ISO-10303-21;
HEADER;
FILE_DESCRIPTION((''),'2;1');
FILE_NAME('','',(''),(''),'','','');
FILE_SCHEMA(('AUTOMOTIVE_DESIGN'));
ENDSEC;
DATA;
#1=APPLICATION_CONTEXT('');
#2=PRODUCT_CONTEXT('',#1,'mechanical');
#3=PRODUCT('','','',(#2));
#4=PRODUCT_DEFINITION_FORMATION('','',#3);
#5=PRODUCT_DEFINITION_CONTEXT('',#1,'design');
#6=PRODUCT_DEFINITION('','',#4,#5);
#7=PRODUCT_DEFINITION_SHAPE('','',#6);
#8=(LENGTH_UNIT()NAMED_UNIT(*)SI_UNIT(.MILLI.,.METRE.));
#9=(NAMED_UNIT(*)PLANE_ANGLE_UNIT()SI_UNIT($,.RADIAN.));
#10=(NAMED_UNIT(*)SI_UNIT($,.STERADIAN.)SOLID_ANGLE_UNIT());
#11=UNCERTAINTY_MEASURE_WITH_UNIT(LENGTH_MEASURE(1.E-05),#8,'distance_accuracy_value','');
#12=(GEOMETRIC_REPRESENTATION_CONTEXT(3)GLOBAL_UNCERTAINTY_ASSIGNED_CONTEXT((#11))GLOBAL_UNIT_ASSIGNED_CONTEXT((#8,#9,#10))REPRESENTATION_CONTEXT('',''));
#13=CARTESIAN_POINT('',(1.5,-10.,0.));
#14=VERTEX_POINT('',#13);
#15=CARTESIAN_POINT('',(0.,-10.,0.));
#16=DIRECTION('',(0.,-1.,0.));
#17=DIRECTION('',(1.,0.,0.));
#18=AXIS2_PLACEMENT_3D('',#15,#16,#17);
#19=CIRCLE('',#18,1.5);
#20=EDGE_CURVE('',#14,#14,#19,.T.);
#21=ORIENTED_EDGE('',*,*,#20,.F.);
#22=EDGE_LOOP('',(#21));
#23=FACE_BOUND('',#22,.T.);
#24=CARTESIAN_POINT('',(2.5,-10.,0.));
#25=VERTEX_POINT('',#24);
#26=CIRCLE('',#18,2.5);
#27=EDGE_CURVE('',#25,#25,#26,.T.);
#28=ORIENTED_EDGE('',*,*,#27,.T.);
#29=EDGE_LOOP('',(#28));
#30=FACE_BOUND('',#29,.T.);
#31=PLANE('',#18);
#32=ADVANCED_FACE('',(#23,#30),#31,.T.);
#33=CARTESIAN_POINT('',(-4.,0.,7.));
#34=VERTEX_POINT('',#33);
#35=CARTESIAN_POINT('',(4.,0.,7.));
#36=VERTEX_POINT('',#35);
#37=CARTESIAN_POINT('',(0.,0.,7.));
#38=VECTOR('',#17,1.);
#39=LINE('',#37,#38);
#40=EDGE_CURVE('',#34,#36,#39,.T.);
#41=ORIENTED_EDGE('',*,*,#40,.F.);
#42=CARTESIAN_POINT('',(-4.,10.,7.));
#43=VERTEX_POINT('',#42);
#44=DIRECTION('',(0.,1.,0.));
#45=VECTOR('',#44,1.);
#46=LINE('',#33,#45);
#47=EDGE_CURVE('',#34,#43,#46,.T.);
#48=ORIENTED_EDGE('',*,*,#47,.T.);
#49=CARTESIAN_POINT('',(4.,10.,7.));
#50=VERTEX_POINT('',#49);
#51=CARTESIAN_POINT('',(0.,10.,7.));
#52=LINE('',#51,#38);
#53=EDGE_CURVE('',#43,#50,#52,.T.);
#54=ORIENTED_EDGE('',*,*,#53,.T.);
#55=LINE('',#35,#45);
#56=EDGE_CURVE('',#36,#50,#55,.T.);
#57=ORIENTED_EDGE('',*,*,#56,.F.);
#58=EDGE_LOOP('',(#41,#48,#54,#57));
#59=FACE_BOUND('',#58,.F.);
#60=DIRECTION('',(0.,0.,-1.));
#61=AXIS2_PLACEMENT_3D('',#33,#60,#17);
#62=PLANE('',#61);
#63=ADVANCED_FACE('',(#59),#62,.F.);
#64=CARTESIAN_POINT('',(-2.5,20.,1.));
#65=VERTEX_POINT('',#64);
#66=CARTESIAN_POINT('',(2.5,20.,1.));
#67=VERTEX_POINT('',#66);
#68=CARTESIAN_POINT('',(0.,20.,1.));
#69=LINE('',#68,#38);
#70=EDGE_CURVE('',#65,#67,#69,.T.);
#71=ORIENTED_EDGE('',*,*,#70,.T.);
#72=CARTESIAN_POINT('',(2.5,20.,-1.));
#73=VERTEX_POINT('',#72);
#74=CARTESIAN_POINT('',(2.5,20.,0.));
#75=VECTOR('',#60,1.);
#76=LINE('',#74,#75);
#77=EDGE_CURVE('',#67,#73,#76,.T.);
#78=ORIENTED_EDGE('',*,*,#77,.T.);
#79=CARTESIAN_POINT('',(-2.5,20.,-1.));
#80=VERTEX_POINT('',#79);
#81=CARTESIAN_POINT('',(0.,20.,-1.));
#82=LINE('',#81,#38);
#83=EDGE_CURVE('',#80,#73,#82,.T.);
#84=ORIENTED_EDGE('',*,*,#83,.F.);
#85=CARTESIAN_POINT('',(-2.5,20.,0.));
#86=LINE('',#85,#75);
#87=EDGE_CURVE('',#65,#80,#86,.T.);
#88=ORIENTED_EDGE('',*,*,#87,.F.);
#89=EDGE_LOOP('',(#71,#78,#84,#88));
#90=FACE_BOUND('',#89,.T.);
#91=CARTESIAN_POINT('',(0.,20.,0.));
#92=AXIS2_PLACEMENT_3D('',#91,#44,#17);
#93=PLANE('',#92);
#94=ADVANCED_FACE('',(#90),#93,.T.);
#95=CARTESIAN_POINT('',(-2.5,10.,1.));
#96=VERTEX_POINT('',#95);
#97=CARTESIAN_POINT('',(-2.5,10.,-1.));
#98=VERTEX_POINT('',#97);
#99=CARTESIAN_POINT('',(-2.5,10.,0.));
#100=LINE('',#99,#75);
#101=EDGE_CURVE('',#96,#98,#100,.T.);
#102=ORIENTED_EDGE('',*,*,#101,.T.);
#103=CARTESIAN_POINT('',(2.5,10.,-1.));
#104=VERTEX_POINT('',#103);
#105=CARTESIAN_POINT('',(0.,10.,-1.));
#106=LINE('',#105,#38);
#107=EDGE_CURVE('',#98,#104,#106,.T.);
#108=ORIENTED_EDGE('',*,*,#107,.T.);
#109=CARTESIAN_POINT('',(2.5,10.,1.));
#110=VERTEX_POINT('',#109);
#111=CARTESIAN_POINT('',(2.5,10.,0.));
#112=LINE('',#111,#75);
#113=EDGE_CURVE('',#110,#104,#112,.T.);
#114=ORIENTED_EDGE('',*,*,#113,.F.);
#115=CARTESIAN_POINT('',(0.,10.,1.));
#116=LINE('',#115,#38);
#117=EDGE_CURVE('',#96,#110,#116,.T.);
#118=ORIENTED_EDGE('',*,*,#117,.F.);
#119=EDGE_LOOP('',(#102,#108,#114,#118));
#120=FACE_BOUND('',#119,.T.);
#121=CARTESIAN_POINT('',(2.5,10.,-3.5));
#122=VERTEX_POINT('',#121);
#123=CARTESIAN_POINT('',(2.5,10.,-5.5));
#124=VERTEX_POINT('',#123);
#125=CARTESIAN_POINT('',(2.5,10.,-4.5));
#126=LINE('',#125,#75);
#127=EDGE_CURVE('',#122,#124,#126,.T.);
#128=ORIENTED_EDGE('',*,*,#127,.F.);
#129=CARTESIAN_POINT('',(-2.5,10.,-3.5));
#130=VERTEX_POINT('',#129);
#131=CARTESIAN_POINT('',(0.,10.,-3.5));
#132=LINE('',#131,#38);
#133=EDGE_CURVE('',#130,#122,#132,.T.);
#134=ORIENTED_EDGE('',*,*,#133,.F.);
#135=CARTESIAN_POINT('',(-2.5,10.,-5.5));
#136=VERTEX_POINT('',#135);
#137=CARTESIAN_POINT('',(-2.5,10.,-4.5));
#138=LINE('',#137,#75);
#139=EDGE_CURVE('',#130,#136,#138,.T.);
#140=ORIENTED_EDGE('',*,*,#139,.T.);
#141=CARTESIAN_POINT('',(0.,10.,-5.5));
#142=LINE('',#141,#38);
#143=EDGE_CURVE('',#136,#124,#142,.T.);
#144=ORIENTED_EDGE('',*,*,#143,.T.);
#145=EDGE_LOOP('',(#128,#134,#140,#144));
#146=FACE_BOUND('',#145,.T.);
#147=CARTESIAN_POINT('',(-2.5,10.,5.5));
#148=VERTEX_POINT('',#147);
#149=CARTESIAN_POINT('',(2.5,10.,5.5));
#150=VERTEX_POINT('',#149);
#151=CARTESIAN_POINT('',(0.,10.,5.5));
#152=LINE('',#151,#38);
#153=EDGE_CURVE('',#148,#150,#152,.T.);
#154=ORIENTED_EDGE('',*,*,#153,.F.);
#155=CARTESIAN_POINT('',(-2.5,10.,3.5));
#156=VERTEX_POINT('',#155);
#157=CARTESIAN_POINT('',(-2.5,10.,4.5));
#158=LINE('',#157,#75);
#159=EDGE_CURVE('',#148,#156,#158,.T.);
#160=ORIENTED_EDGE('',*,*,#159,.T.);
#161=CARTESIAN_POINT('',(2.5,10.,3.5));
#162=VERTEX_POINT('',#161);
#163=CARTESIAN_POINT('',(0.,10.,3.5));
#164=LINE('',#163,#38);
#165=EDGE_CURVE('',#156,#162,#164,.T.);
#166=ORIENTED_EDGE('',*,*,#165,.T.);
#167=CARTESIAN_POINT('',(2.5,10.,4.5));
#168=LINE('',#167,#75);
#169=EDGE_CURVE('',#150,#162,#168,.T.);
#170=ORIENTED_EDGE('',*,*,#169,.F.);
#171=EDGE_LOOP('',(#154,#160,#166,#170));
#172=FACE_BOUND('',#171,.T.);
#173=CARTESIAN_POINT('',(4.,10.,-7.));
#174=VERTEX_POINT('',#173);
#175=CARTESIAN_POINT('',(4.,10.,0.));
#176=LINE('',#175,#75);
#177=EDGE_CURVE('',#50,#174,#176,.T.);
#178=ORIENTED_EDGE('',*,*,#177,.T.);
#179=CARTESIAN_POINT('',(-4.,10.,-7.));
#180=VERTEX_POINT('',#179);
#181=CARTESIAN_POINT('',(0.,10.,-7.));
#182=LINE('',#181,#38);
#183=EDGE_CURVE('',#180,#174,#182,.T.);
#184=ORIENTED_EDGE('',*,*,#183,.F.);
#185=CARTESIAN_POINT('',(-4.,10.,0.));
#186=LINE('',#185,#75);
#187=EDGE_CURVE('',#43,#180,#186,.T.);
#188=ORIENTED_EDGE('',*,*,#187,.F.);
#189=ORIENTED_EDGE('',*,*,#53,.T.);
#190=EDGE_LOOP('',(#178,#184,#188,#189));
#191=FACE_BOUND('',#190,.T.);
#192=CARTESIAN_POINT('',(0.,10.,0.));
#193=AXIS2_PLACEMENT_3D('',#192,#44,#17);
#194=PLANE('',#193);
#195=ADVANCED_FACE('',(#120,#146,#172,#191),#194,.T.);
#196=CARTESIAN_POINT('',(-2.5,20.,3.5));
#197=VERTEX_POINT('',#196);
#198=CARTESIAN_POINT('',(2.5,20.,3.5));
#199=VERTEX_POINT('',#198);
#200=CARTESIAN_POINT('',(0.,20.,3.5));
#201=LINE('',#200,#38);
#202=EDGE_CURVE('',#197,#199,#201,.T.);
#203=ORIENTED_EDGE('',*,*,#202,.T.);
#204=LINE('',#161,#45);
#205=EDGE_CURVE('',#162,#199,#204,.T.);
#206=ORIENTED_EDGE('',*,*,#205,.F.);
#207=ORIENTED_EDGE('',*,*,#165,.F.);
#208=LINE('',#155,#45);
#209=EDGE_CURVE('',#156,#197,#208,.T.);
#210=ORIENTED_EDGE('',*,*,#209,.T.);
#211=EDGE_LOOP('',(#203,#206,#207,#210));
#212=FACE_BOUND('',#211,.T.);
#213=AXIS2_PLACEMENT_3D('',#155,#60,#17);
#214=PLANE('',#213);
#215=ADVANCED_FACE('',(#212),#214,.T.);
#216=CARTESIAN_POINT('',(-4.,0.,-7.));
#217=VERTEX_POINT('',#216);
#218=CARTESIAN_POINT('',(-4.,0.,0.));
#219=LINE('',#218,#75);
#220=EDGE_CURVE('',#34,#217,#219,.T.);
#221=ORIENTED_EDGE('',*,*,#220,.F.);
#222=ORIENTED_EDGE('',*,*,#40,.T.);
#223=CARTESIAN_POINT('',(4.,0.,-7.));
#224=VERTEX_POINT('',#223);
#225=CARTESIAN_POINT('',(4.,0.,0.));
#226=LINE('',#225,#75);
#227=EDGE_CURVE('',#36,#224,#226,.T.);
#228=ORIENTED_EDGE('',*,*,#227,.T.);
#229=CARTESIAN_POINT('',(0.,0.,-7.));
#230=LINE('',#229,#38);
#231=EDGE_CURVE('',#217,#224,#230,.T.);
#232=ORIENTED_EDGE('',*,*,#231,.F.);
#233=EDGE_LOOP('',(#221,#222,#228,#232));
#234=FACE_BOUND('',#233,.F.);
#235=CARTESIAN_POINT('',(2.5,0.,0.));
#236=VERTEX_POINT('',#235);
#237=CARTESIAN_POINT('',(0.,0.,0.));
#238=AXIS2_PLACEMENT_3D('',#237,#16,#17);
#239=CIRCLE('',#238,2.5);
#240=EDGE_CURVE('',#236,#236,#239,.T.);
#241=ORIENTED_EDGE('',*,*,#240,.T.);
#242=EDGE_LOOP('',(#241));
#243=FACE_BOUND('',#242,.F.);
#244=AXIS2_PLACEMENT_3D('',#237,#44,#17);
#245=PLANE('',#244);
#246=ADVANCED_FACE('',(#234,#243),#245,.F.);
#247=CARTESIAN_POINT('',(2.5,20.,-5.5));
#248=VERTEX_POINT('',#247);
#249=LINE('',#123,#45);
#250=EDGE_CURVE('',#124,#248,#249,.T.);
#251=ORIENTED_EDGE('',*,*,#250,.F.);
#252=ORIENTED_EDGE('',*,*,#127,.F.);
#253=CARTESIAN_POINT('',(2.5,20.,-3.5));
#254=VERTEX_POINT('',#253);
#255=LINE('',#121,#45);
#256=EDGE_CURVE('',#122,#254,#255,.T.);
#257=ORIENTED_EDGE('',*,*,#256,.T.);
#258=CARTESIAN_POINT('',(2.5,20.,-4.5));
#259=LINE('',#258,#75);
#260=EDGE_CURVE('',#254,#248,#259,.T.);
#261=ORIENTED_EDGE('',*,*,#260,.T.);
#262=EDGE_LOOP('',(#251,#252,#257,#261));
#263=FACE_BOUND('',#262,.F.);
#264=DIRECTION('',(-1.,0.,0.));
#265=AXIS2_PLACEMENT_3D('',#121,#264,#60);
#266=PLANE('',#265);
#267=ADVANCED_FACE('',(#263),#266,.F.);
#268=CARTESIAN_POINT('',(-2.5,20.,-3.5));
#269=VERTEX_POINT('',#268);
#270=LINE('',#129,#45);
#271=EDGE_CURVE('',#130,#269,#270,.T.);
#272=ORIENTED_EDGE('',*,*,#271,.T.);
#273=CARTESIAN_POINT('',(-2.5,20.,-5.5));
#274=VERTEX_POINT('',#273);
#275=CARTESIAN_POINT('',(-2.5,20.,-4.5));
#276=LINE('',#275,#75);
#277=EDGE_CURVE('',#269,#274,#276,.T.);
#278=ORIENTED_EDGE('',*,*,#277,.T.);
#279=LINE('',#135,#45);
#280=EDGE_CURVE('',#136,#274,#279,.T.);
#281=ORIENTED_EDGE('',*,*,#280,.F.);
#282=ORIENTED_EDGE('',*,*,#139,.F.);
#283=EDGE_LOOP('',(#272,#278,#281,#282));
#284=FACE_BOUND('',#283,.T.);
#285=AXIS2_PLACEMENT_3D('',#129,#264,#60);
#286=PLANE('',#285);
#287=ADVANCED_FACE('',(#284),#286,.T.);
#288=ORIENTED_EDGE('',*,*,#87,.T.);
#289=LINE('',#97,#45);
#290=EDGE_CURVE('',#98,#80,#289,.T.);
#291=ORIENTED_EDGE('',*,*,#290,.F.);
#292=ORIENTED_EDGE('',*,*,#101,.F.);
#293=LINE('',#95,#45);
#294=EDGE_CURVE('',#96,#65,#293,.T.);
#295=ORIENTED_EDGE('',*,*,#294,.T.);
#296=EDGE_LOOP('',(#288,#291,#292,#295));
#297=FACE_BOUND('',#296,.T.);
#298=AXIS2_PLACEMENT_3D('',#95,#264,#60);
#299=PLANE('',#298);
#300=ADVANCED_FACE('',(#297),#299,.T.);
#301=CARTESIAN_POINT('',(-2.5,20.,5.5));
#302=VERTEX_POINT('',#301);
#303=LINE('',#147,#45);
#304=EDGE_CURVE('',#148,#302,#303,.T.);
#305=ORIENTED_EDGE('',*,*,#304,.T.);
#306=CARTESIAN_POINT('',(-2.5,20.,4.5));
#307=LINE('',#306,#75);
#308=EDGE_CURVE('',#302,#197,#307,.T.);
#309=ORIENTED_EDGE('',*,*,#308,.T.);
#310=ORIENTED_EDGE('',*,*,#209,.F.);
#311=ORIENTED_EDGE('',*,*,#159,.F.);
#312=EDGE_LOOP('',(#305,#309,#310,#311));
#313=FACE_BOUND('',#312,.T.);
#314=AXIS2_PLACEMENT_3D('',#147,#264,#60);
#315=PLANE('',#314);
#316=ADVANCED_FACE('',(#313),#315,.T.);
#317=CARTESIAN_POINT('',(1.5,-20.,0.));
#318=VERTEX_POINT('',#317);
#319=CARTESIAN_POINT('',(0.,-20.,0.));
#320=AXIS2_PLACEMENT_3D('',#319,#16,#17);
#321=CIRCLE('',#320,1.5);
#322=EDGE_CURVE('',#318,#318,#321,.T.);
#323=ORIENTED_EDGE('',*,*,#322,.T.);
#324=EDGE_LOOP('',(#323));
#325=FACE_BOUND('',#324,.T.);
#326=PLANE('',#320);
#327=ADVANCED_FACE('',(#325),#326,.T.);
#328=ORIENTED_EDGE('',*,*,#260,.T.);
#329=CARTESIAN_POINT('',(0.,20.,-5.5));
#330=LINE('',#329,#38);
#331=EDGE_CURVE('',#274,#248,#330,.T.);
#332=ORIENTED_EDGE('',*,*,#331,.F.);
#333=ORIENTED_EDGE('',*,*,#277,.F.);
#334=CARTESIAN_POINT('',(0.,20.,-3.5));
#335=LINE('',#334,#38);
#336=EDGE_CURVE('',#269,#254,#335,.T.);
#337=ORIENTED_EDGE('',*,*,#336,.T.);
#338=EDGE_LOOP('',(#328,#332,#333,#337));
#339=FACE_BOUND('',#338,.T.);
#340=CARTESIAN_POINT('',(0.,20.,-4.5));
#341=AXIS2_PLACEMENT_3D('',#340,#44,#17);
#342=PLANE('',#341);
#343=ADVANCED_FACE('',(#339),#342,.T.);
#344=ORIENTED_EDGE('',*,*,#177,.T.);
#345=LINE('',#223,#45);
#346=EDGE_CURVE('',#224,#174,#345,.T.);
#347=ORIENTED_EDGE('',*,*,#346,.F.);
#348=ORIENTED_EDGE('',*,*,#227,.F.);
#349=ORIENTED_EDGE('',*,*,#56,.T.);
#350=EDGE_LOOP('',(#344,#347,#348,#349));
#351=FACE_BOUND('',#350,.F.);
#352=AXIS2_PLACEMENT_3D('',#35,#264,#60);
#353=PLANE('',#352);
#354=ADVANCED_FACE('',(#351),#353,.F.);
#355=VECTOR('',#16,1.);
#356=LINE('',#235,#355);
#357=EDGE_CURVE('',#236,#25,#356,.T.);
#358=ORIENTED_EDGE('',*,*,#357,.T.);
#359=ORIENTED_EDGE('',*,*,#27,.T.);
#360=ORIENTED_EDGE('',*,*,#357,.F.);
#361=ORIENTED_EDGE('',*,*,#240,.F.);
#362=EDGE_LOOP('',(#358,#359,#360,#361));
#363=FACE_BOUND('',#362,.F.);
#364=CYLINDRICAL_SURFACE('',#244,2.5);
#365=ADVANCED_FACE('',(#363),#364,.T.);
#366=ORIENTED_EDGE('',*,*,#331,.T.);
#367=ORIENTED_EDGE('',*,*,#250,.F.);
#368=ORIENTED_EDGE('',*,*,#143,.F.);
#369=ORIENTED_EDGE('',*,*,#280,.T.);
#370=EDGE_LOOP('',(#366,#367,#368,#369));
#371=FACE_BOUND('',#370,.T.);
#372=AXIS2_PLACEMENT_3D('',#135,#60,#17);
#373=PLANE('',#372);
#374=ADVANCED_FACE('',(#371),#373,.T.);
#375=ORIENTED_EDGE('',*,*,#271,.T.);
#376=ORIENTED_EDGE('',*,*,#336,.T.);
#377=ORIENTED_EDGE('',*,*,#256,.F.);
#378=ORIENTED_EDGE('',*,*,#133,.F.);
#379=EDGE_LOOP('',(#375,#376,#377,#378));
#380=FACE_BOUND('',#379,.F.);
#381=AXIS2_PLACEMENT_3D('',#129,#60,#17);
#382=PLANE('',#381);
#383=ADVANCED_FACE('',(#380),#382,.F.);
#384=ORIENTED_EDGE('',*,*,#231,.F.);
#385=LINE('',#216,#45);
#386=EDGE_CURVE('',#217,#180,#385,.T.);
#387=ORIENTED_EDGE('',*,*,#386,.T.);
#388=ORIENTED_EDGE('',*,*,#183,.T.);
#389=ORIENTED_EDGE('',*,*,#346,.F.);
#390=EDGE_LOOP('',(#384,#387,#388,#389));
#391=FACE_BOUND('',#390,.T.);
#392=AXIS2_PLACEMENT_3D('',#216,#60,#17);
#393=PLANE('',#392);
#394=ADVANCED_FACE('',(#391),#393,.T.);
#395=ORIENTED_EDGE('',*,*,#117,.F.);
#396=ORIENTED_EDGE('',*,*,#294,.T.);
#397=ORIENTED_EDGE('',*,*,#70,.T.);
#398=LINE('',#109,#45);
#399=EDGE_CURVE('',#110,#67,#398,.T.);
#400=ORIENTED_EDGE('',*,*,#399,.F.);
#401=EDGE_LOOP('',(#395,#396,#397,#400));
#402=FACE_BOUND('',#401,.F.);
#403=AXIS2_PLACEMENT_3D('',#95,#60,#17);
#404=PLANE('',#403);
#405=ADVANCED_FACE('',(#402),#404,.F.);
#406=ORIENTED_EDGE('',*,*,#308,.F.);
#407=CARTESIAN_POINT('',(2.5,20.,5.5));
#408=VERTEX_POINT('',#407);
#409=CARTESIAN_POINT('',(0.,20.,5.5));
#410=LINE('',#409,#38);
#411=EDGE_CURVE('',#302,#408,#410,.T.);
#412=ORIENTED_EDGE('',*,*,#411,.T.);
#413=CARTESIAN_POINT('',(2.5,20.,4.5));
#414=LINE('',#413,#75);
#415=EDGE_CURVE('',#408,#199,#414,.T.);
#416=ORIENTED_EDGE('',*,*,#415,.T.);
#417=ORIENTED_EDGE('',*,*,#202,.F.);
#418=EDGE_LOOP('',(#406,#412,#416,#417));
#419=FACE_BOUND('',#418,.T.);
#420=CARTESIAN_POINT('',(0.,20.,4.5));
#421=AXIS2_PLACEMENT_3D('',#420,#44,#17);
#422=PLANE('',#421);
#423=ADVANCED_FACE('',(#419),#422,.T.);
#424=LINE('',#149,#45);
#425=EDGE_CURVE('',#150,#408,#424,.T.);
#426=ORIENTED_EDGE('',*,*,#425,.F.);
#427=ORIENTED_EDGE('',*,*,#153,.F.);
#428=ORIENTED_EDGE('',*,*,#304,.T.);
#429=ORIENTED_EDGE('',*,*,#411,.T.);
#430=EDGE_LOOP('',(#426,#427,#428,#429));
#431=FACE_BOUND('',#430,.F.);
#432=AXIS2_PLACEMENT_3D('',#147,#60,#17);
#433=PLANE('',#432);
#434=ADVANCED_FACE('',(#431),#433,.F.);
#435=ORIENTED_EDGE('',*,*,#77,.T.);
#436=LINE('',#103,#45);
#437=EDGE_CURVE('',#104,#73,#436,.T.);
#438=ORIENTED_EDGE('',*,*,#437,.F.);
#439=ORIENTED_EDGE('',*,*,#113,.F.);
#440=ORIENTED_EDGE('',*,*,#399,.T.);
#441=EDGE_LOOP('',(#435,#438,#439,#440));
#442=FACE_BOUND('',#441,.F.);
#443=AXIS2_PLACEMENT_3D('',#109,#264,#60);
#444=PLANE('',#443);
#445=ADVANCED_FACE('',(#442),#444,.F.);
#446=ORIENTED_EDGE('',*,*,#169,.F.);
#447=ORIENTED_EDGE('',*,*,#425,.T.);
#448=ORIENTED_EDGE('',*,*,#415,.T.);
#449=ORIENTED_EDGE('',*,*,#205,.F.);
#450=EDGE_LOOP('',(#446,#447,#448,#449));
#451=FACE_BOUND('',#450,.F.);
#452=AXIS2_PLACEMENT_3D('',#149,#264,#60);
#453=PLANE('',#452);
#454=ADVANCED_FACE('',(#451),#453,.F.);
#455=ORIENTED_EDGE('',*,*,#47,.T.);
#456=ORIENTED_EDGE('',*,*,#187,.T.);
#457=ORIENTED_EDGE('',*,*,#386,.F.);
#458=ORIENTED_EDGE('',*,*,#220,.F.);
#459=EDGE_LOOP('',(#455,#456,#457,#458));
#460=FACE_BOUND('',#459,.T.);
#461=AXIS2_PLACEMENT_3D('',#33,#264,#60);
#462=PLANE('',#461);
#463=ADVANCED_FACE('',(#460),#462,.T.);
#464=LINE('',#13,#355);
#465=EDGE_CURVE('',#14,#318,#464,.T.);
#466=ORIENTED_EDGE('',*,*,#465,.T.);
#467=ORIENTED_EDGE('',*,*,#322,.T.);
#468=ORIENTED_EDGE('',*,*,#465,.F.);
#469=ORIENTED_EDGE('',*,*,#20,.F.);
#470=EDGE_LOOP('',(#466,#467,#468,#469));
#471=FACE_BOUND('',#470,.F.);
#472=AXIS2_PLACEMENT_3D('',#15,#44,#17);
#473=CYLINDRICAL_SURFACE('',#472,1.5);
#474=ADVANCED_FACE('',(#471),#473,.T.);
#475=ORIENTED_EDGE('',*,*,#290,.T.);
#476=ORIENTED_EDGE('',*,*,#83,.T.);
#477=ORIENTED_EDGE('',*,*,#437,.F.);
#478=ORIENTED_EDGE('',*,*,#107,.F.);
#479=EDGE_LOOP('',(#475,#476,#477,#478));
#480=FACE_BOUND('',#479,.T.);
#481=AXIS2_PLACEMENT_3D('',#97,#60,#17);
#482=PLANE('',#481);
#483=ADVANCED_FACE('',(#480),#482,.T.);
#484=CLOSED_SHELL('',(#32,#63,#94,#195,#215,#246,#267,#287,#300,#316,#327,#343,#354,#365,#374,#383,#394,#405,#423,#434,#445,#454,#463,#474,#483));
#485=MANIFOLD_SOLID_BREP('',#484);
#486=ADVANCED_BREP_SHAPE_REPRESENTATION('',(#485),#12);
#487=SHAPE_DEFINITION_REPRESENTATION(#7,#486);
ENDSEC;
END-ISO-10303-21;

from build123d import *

# Parameters (mm, degrees)
SKETCH038_R  = 2.5
PAD037_DEPTH = 10
SKETCH039_R  = 1.5
PAD038_DEPTH = 10
SKETCH040_W  = 8
SKETCH040_H  = 14
PAD039_DEPTH = 10
SKETCH041_W  = 5
SKETCH041_H  = 2
PAD040_DEPTH = 10


with BuildPart() as part:
    # Sketch038 → Pad037 (new body)
    with BuildSketch(Plane.XZ):
        Circle(SKETCH038_R)
    extrude(amount=PAD037_DEPTH)

    # Sketch039 (on Face3 of Pad037) → Pad038 (join)
    with BuildSketch(Plane.XZ.offset(10)):
        Circle(SKETCH039_R)
    extrude(amount=PAD038_DEPTH)

    # Sketch040 (on Face2 of Pad038) → Pad039 (join)
    with BuildSketch(Plane(origin=(0, 0, 0), x_dir=(1, 0, 0), z_dir=(0, 1, 0))):
        Rectangle(SKETCH040_W, SKETCH040_H)
    extrude(amount=PAD039_DEPTH)

    # Sketch041 (on Face5 of Pad039) → Pad040 (join)
    with BuildSketch(Plane(origin=(0, 10, 0), x_dir=(1, 0, 0), z_dir=(0, 1, 0))):
        with Locations((0, 4.5)):
            Rectangle(SKETCH041_W, SKETCH041_H)
        Rectangle(SKETCH041_W, SKETCH041_H)
        with Locations((0, -4.5)):
            Rectangle(SKETCH041_W, SKETCH041_H)
    extrude(amount=PAD040_DEPTH)


solid = part.part
